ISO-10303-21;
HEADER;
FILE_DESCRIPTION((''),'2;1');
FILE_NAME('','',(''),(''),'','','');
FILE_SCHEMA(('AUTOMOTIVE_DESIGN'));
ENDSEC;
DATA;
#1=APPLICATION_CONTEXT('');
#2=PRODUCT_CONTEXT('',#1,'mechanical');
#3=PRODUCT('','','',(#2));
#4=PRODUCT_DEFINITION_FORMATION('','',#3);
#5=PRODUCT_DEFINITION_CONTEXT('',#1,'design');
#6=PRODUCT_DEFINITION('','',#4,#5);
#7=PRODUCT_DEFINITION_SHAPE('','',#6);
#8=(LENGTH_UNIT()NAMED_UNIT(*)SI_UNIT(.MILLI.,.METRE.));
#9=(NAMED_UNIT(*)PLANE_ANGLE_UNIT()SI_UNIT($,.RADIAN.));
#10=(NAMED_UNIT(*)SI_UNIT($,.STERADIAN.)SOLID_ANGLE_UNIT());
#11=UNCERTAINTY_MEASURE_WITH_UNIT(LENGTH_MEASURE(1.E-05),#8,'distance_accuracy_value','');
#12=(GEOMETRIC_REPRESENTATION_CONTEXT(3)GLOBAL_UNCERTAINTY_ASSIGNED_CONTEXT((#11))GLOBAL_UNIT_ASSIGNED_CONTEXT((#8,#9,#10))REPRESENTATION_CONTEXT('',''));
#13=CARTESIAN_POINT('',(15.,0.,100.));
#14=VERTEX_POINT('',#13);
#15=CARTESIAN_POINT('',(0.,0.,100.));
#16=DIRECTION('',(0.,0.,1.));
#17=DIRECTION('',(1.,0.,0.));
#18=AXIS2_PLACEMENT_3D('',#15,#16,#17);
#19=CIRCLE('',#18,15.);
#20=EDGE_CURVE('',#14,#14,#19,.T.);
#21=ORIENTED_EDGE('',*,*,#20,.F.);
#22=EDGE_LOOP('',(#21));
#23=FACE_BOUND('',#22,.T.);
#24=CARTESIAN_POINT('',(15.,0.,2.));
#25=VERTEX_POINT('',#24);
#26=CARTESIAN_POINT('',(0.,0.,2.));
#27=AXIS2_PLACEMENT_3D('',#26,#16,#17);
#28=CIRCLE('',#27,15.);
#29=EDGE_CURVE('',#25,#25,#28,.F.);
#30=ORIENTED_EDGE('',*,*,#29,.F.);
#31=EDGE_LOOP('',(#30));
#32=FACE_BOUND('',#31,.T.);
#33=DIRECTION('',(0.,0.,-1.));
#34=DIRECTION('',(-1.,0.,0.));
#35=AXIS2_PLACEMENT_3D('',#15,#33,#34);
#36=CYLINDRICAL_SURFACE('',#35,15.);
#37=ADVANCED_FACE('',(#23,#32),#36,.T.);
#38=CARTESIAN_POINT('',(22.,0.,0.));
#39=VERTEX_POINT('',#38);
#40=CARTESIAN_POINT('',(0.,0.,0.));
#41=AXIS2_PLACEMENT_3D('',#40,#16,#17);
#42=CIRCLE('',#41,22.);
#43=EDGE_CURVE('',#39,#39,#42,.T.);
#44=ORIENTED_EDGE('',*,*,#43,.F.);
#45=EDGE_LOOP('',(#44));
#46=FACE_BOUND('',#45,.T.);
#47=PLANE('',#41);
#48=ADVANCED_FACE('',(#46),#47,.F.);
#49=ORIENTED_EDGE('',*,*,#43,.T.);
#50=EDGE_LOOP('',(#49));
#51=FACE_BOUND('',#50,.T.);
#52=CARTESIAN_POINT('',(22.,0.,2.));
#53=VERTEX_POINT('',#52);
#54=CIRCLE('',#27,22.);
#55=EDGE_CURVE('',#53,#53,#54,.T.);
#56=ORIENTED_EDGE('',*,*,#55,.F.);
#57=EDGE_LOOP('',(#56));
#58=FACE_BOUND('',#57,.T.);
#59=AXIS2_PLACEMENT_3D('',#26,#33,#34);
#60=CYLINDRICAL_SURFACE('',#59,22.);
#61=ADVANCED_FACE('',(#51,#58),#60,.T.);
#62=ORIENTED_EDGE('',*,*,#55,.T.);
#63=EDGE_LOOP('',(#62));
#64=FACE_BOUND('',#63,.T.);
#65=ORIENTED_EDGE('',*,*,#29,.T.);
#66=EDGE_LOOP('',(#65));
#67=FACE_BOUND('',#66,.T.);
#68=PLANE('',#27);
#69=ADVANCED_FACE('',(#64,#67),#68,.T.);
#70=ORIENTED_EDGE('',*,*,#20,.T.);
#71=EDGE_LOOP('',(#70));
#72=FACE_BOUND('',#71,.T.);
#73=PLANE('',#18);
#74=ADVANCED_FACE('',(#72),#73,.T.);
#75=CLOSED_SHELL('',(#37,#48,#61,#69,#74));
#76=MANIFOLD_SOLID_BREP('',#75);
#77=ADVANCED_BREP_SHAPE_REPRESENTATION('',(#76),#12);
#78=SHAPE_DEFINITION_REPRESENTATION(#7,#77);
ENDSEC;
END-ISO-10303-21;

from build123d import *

# Parameters (mm, degrees)
SKETCH1_R           = 22
BOSS_EXTRUDE1_DEPTH = 2
SKETCH2_R           = 15
BOSS_EXTRUDE2_DEPTH = 100


with BuildPart() as part:
    # Sketch1 → Boss-Extrude1 (new body)
    with BuildSketch(Plane.XY):
        Circle(SKETCH1_R)
    extrude(amount=BOSS_EXTRUDE1_DEPTH)

    # Sketch2 → Boss-Extrude2 (add)
    with BuildSketch(Plane.XY):
        Circle(SKETCH2_R)
    extrude(amount=BOSS_EXTRUDE2_DEPTH)


solid = part.part
